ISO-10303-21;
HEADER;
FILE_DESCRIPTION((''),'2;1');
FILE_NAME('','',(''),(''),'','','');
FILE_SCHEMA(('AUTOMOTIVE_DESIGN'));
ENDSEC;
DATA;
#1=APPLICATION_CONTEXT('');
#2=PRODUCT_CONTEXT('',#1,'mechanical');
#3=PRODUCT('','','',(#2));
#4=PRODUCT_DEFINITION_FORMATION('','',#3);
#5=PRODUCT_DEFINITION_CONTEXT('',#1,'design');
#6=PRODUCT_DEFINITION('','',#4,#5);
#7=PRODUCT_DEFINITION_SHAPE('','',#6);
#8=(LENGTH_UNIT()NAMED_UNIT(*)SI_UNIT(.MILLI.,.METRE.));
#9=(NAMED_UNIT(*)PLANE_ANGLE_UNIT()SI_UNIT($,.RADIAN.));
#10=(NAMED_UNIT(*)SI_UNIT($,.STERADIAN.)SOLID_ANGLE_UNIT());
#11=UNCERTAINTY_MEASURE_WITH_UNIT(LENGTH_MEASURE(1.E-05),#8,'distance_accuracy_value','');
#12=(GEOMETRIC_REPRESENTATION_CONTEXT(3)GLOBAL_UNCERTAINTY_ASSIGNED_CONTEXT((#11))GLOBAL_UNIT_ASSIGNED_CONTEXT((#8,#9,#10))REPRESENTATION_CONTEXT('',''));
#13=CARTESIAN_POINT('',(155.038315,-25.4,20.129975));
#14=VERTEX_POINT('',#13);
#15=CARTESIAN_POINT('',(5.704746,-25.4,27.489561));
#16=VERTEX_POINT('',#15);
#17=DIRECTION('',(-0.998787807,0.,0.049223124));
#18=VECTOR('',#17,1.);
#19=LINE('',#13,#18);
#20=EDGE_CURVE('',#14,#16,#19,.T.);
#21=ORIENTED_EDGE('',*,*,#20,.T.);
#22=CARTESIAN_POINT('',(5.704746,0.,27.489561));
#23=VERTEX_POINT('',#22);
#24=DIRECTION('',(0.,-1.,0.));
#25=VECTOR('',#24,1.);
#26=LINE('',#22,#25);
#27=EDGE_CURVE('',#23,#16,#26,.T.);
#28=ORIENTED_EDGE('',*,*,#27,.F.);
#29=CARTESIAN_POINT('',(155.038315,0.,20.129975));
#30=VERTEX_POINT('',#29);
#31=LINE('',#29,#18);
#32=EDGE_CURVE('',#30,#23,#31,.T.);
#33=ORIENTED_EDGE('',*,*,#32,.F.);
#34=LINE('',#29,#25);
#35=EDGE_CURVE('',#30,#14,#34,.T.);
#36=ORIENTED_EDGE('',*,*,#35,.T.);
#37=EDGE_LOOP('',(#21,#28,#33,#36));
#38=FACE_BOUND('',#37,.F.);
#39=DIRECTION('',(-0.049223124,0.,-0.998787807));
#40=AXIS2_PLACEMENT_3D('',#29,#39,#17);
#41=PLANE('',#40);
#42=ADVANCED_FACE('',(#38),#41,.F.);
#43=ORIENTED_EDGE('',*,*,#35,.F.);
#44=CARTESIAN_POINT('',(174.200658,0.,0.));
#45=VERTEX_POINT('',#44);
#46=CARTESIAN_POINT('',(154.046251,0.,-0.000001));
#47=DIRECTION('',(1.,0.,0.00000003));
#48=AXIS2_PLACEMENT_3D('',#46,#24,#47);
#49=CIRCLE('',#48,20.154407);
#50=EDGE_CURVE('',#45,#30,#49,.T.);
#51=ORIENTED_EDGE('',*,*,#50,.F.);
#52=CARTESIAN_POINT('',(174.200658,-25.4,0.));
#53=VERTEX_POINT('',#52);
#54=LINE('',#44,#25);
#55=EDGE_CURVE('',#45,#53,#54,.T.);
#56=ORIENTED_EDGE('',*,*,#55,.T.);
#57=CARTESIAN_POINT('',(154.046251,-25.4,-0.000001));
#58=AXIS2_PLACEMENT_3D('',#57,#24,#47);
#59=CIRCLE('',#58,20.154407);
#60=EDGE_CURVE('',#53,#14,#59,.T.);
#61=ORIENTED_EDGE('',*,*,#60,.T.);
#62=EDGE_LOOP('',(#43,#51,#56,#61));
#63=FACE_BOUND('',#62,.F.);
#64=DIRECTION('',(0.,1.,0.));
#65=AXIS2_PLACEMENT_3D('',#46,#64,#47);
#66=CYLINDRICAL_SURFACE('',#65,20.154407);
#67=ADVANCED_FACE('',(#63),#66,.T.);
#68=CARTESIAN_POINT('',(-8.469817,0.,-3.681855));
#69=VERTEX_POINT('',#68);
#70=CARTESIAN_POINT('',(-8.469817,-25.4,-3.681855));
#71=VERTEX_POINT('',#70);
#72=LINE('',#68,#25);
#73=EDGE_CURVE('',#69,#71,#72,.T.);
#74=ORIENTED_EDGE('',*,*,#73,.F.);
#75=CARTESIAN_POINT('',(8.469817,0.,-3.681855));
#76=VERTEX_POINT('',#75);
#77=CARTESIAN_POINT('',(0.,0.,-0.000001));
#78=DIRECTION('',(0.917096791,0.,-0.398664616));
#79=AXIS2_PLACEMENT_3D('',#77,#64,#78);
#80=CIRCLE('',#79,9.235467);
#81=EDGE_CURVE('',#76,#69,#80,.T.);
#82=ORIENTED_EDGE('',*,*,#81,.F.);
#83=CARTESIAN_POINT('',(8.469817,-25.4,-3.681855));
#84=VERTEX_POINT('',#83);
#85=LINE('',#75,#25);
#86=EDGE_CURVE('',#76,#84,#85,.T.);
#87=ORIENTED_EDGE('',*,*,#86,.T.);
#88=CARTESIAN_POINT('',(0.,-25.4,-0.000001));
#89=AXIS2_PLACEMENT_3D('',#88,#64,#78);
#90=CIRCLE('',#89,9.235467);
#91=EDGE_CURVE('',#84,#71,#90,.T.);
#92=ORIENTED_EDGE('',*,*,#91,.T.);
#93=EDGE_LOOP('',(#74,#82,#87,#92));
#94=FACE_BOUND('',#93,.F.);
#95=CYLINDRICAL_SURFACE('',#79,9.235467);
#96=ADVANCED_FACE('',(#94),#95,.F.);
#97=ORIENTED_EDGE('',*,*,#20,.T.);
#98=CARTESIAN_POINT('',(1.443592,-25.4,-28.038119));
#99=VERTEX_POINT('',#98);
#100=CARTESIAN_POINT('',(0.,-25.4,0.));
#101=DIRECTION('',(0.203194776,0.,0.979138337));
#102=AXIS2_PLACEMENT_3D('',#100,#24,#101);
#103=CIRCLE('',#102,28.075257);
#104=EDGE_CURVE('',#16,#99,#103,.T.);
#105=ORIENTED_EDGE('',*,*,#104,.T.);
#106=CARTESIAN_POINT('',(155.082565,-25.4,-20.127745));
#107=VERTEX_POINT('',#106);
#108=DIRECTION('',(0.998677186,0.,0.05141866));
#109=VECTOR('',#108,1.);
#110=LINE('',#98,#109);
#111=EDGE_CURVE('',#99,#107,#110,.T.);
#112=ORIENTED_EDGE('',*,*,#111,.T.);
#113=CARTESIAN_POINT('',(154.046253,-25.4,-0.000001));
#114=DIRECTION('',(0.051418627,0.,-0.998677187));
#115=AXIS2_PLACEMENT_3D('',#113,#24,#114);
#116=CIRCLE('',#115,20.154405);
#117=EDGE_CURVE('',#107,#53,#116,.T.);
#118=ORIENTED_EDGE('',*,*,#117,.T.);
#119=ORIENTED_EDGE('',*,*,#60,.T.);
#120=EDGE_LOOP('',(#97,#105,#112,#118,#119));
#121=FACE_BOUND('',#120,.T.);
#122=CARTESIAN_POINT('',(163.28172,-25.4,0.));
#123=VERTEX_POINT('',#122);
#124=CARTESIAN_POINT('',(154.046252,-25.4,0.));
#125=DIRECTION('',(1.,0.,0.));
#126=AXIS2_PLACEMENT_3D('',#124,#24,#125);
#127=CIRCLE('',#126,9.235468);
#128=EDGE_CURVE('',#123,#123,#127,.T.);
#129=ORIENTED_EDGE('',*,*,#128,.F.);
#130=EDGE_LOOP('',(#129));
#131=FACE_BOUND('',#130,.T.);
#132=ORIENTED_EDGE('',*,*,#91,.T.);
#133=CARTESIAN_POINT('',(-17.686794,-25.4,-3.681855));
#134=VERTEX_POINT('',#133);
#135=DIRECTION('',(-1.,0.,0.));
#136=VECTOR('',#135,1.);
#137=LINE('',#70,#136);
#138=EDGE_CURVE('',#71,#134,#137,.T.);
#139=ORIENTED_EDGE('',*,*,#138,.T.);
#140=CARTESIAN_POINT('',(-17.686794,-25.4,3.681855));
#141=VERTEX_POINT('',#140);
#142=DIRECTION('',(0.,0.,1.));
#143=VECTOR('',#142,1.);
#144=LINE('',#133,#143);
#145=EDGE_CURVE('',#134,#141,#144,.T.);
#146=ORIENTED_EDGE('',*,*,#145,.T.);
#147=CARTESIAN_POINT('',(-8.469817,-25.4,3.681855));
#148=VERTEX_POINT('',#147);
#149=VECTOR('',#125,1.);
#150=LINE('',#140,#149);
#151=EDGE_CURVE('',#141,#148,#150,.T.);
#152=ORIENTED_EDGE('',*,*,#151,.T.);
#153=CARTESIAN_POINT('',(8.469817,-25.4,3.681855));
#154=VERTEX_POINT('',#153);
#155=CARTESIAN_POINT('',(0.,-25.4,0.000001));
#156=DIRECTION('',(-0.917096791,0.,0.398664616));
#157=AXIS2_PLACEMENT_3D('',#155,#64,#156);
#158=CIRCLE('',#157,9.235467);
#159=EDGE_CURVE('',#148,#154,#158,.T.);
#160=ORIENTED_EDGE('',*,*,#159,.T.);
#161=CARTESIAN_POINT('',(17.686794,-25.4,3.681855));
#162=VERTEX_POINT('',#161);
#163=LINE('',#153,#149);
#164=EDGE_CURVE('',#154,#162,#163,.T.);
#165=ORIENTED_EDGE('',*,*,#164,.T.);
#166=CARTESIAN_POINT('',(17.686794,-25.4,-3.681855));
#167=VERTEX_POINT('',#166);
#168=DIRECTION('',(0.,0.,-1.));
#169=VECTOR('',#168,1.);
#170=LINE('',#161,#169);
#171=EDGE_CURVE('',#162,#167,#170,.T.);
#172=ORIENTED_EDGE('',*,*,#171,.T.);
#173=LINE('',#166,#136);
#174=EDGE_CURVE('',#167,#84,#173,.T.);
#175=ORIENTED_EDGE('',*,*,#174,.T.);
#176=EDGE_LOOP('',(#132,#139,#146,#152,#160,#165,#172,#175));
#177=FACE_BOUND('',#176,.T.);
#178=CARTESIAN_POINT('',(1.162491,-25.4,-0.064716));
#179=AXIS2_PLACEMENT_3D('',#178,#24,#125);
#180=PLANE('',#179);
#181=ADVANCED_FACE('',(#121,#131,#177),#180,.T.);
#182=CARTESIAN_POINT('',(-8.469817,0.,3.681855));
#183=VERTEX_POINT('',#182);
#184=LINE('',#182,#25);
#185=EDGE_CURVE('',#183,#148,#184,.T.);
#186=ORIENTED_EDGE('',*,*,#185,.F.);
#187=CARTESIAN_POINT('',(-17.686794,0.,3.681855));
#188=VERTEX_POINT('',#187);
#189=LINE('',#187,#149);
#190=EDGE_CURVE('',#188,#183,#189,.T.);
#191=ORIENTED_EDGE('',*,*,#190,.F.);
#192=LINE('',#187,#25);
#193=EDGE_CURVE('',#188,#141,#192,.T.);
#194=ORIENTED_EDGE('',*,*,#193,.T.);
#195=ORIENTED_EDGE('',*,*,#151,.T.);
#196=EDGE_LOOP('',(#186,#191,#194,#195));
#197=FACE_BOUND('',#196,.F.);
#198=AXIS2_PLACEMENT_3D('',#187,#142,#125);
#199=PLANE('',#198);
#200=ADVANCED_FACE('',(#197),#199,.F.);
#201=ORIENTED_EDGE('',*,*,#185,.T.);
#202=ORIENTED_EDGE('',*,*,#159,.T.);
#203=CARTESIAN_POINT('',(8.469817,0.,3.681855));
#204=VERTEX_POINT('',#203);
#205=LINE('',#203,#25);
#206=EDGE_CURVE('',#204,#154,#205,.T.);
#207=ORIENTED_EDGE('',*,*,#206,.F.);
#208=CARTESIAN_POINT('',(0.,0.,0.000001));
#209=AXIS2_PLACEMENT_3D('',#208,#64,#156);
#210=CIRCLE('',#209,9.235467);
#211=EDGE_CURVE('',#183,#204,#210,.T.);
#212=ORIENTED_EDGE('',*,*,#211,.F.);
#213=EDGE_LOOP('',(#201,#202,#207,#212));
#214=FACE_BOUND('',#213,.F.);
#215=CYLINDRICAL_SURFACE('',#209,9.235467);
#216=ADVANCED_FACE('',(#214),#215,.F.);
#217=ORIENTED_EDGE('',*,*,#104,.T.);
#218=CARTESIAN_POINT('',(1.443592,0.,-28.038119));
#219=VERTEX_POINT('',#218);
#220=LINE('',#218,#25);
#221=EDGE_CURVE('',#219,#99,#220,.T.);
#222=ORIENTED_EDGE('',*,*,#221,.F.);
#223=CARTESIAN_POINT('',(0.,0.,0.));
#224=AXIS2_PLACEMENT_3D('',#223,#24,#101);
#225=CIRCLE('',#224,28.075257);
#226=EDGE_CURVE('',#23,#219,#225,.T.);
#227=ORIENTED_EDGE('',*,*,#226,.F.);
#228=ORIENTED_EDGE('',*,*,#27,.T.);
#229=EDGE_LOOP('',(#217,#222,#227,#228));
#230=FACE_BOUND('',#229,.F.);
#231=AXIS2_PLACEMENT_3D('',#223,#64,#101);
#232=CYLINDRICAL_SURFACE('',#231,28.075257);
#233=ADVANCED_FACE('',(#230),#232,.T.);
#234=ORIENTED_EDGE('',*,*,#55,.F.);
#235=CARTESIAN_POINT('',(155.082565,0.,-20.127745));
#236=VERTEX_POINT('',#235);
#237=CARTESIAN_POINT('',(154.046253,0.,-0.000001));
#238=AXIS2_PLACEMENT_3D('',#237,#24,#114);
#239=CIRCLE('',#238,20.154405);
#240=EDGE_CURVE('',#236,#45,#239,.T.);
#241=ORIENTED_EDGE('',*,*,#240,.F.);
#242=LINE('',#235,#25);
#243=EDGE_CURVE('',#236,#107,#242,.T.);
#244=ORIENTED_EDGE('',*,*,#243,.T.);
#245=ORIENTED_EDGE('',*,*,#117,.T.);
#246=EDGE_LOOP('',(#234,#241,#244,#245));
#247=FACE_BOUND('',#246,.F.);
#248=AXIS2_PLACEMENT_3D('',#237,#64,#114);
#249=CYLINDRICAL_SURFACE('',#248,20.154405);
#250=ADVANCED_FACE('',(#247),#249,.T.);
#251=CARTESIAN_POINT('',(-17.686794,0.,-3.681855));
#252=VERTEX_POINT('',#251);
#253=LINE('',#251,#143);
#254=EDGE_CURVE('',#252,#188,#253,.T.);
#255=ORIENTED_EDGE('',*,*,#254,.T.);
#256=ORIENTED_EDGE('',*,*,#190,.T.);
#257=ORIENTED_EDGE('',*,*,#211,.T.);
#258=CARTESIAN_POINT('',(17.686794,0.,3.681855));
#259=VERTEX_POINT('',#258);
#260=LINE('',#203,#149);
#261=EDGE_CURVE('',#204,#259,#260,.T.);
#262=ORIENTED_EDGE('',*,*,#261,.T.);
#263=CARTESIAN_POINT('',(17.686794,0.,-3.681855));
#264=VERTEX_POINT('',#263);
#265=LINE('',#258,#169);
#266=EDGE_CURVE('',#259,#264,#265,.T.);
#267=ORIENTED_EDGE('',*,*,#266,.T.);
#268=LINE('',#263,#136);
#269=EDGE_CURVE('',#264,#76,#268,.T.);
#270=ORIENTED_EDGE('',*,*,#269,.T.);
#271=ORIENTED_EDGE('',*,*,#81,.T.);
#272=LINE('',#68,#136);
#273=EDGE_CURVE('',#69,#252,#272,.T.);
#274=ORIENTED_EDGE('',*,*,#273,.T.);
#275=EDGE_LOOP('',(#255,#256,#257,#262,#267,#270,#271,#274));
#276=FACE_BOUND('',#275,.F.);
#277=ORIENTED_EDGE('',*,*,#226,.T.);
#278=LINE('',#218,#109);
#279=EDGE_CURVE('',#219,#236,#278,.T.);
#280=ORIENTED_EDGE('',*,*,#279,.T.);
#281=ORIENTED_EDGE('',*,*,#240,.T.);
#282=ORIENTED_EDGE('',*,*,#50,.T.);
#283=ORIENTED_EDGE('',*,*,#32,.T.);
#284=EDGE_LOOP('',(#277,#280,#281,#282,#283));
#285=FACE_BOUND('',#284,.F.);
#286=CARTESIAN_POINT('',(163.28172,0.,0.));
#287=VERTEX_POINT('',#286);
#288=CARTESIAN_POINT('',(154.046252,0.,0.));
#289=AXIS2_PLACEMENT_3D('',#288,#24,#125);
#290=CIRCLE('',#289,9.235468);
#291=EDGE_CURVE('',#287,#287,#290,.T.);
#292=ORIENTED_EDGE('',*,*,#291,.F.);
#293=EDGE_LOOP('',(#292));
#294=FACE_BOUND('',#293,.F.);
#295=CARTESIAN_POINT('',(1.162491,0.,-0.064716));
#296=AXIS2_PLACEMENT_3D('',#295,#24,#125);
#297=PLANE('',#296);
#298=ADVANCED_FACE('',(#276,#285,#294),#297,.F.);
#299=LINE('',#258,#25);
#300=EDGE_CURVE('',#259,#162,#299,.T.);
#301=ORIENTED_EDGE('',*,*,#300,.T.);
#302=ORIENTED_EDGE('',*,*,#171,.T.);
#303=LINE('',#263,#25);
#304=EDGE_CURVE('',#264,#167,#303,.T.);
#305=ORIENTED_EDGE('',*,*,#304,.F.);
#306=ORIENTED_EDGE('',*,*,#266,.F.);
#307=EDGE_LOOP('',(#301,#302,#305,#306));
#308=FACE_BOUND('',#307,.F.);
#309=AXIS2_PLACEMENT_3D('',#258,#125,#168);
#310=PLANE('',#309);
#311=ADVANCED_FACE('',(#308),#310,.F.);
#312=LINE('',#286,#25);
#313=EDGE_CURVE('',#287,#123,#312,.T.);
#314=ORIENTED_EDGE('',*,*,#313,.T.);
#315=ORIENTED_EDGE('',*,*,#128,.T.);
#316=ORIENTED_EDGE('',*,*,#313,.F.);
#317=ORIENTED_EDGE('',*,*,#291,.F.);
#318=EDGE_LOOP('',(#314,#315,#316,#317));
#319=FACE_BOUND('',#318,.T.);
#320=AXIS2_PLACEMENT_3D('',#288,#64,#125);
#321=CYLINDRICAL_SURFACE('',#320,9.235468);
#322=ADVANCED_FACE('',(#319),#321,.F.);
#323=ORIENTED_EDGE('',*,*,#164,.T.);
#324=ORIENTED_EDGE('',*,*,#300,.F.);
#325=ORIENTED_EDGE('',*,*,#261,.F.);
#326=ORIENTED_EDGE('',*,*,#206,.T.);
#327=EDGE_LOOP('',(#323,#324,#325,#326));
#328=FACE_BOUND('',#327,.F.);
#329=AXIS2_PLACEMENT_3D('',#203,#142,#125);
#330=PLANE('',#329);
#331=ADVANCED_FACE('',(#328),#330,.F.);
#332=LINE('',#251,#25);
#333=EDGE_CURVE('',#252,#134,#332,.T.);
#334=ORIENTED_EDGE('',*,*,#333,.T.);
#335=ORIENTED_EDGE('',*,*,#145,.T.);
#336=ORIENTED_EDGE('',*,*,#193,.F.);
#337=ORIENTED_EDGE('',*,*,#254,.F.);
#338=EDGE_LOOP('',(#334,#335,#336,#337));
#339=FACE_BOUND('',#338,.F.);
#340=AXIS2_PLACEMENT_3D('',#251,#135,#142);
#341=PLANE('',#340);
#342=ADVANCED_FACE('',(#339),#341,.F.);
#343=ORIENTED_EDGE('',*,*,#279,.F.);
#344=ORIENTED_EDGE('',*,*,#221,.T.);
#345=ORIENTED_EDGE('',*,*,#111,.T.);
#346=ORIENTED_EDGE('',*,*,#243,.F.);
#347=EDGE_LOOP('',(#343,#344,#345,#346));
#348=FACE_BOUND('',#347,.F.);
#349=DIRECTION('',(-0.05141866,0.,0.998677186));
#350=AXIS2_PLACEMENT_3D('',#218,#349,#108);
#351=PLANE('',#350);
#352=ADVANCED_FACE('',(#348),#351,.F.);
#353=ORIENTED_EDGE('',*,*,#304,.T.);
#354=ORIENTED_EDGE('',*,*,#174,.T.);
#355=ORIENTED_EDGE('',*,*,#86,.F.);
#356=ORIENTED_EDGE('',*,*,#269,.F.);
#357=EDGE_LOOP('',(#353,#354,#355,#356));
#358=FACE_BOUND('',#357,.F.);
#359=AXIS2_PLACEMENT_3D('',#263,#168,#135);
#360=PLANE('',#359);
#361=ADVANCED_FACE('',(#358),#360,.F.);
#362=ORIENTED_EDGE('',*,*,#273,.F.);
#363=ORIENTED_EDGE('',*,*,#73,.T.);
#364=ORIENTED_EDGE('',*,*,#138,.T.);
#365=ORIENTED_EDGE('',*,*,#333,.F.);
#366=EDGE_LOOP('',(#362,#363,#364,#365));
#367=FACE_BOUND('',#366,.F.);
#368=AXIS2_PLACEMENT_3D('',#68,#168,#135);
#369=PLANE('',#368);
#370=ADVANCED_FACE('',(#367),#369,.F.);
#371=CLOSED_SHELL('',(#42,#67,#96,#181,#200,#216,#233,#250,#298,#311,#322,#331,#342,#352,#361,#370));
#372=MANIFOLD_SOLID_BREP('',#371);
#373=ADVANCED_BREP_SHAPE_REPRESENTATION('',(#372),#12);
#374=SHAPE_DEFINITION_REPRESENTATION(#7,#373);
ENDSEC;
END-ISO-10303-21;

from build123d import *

# Parameters (mm, degrees)
F0_R     = 9.235468
F1_DEPTH = 25.4


with BuildPart() as f1:
    # F0 (on Front) → F1 (new body)
    with BuildSketch(Plane.XZ):
        with BuildLine():
            ThreePointArc((1.443592, -28.038119), (20.356194, -19.335083), (28.075257, 0))
            ThreePointArc((28.075257, 0), (21.77593, 17.720861), (5.704746, 27.489561))
            ThreePointArc((5.704746, 27.489561), (-27.992954, 2.148159), (1.443592, -28.038119))
        make_face()
        with BuildLine():
            ThreePointArc((-8.469817, 3.681855), (0, 9.235468), (8.469817, 3.681855))
            Line((8.469817, 3.681855), (17.686794, 3.681855))
            Line((17.686794, 3.681855), (17.686794, -3.681855))
            Line((17.686794, -3.681855), (8.469817, -3.681855))
            ThreePointArc((8.469817, -3.681855), (0, -9.235468), (-8.469817, -3.681855))
            Line((-8.469817, -3.681855), (-17.686794, -3.681855))
            Line((-17.686794, -3.681855), (-17.686794, 3.681855))
            Line((-17.686794, 3.681855), (-8.469817, 3.681855))
        make_face(mode=Mode.SUBTRACT)
        with BuildLine():
            ThreePointArc((5.704746, 27.489561), (21.77593, 17.720861), (28.075257, 0))
            ThreePointArc((28.075257, 0), (20.356194, -19.335083), (1.443592, -28.038119))
            Line((1.443592, -28.038119), (155.082565, -20.127745))
            ThreePointArc((155.082565, -20.127745), (133.891859, -0.022153), (155.038315, 20.129975))
            Line((155.038315, 20.129975), (5.704746, 27.489561))
        make_face()
        with BuildLine():
            ThreePointArc((174.200658, 0), (168.644103, 13.896144), (155.038315, 20.129975))
            ThreePointArc((155.038315, 20.129975), (133.891859, -0.022153), (155.082565, -20.127745))
            ThreePointArc((155.082565, -20.127745), (168.659369, -13.88009), (174.200658, 0))
        make_face()
        with Locations((154.046252, 0)):
            Circle(F0_R, mode=Mode.SUBTRACT)
    extrude(amount=F1_DEPTH)


solid = f1.part
